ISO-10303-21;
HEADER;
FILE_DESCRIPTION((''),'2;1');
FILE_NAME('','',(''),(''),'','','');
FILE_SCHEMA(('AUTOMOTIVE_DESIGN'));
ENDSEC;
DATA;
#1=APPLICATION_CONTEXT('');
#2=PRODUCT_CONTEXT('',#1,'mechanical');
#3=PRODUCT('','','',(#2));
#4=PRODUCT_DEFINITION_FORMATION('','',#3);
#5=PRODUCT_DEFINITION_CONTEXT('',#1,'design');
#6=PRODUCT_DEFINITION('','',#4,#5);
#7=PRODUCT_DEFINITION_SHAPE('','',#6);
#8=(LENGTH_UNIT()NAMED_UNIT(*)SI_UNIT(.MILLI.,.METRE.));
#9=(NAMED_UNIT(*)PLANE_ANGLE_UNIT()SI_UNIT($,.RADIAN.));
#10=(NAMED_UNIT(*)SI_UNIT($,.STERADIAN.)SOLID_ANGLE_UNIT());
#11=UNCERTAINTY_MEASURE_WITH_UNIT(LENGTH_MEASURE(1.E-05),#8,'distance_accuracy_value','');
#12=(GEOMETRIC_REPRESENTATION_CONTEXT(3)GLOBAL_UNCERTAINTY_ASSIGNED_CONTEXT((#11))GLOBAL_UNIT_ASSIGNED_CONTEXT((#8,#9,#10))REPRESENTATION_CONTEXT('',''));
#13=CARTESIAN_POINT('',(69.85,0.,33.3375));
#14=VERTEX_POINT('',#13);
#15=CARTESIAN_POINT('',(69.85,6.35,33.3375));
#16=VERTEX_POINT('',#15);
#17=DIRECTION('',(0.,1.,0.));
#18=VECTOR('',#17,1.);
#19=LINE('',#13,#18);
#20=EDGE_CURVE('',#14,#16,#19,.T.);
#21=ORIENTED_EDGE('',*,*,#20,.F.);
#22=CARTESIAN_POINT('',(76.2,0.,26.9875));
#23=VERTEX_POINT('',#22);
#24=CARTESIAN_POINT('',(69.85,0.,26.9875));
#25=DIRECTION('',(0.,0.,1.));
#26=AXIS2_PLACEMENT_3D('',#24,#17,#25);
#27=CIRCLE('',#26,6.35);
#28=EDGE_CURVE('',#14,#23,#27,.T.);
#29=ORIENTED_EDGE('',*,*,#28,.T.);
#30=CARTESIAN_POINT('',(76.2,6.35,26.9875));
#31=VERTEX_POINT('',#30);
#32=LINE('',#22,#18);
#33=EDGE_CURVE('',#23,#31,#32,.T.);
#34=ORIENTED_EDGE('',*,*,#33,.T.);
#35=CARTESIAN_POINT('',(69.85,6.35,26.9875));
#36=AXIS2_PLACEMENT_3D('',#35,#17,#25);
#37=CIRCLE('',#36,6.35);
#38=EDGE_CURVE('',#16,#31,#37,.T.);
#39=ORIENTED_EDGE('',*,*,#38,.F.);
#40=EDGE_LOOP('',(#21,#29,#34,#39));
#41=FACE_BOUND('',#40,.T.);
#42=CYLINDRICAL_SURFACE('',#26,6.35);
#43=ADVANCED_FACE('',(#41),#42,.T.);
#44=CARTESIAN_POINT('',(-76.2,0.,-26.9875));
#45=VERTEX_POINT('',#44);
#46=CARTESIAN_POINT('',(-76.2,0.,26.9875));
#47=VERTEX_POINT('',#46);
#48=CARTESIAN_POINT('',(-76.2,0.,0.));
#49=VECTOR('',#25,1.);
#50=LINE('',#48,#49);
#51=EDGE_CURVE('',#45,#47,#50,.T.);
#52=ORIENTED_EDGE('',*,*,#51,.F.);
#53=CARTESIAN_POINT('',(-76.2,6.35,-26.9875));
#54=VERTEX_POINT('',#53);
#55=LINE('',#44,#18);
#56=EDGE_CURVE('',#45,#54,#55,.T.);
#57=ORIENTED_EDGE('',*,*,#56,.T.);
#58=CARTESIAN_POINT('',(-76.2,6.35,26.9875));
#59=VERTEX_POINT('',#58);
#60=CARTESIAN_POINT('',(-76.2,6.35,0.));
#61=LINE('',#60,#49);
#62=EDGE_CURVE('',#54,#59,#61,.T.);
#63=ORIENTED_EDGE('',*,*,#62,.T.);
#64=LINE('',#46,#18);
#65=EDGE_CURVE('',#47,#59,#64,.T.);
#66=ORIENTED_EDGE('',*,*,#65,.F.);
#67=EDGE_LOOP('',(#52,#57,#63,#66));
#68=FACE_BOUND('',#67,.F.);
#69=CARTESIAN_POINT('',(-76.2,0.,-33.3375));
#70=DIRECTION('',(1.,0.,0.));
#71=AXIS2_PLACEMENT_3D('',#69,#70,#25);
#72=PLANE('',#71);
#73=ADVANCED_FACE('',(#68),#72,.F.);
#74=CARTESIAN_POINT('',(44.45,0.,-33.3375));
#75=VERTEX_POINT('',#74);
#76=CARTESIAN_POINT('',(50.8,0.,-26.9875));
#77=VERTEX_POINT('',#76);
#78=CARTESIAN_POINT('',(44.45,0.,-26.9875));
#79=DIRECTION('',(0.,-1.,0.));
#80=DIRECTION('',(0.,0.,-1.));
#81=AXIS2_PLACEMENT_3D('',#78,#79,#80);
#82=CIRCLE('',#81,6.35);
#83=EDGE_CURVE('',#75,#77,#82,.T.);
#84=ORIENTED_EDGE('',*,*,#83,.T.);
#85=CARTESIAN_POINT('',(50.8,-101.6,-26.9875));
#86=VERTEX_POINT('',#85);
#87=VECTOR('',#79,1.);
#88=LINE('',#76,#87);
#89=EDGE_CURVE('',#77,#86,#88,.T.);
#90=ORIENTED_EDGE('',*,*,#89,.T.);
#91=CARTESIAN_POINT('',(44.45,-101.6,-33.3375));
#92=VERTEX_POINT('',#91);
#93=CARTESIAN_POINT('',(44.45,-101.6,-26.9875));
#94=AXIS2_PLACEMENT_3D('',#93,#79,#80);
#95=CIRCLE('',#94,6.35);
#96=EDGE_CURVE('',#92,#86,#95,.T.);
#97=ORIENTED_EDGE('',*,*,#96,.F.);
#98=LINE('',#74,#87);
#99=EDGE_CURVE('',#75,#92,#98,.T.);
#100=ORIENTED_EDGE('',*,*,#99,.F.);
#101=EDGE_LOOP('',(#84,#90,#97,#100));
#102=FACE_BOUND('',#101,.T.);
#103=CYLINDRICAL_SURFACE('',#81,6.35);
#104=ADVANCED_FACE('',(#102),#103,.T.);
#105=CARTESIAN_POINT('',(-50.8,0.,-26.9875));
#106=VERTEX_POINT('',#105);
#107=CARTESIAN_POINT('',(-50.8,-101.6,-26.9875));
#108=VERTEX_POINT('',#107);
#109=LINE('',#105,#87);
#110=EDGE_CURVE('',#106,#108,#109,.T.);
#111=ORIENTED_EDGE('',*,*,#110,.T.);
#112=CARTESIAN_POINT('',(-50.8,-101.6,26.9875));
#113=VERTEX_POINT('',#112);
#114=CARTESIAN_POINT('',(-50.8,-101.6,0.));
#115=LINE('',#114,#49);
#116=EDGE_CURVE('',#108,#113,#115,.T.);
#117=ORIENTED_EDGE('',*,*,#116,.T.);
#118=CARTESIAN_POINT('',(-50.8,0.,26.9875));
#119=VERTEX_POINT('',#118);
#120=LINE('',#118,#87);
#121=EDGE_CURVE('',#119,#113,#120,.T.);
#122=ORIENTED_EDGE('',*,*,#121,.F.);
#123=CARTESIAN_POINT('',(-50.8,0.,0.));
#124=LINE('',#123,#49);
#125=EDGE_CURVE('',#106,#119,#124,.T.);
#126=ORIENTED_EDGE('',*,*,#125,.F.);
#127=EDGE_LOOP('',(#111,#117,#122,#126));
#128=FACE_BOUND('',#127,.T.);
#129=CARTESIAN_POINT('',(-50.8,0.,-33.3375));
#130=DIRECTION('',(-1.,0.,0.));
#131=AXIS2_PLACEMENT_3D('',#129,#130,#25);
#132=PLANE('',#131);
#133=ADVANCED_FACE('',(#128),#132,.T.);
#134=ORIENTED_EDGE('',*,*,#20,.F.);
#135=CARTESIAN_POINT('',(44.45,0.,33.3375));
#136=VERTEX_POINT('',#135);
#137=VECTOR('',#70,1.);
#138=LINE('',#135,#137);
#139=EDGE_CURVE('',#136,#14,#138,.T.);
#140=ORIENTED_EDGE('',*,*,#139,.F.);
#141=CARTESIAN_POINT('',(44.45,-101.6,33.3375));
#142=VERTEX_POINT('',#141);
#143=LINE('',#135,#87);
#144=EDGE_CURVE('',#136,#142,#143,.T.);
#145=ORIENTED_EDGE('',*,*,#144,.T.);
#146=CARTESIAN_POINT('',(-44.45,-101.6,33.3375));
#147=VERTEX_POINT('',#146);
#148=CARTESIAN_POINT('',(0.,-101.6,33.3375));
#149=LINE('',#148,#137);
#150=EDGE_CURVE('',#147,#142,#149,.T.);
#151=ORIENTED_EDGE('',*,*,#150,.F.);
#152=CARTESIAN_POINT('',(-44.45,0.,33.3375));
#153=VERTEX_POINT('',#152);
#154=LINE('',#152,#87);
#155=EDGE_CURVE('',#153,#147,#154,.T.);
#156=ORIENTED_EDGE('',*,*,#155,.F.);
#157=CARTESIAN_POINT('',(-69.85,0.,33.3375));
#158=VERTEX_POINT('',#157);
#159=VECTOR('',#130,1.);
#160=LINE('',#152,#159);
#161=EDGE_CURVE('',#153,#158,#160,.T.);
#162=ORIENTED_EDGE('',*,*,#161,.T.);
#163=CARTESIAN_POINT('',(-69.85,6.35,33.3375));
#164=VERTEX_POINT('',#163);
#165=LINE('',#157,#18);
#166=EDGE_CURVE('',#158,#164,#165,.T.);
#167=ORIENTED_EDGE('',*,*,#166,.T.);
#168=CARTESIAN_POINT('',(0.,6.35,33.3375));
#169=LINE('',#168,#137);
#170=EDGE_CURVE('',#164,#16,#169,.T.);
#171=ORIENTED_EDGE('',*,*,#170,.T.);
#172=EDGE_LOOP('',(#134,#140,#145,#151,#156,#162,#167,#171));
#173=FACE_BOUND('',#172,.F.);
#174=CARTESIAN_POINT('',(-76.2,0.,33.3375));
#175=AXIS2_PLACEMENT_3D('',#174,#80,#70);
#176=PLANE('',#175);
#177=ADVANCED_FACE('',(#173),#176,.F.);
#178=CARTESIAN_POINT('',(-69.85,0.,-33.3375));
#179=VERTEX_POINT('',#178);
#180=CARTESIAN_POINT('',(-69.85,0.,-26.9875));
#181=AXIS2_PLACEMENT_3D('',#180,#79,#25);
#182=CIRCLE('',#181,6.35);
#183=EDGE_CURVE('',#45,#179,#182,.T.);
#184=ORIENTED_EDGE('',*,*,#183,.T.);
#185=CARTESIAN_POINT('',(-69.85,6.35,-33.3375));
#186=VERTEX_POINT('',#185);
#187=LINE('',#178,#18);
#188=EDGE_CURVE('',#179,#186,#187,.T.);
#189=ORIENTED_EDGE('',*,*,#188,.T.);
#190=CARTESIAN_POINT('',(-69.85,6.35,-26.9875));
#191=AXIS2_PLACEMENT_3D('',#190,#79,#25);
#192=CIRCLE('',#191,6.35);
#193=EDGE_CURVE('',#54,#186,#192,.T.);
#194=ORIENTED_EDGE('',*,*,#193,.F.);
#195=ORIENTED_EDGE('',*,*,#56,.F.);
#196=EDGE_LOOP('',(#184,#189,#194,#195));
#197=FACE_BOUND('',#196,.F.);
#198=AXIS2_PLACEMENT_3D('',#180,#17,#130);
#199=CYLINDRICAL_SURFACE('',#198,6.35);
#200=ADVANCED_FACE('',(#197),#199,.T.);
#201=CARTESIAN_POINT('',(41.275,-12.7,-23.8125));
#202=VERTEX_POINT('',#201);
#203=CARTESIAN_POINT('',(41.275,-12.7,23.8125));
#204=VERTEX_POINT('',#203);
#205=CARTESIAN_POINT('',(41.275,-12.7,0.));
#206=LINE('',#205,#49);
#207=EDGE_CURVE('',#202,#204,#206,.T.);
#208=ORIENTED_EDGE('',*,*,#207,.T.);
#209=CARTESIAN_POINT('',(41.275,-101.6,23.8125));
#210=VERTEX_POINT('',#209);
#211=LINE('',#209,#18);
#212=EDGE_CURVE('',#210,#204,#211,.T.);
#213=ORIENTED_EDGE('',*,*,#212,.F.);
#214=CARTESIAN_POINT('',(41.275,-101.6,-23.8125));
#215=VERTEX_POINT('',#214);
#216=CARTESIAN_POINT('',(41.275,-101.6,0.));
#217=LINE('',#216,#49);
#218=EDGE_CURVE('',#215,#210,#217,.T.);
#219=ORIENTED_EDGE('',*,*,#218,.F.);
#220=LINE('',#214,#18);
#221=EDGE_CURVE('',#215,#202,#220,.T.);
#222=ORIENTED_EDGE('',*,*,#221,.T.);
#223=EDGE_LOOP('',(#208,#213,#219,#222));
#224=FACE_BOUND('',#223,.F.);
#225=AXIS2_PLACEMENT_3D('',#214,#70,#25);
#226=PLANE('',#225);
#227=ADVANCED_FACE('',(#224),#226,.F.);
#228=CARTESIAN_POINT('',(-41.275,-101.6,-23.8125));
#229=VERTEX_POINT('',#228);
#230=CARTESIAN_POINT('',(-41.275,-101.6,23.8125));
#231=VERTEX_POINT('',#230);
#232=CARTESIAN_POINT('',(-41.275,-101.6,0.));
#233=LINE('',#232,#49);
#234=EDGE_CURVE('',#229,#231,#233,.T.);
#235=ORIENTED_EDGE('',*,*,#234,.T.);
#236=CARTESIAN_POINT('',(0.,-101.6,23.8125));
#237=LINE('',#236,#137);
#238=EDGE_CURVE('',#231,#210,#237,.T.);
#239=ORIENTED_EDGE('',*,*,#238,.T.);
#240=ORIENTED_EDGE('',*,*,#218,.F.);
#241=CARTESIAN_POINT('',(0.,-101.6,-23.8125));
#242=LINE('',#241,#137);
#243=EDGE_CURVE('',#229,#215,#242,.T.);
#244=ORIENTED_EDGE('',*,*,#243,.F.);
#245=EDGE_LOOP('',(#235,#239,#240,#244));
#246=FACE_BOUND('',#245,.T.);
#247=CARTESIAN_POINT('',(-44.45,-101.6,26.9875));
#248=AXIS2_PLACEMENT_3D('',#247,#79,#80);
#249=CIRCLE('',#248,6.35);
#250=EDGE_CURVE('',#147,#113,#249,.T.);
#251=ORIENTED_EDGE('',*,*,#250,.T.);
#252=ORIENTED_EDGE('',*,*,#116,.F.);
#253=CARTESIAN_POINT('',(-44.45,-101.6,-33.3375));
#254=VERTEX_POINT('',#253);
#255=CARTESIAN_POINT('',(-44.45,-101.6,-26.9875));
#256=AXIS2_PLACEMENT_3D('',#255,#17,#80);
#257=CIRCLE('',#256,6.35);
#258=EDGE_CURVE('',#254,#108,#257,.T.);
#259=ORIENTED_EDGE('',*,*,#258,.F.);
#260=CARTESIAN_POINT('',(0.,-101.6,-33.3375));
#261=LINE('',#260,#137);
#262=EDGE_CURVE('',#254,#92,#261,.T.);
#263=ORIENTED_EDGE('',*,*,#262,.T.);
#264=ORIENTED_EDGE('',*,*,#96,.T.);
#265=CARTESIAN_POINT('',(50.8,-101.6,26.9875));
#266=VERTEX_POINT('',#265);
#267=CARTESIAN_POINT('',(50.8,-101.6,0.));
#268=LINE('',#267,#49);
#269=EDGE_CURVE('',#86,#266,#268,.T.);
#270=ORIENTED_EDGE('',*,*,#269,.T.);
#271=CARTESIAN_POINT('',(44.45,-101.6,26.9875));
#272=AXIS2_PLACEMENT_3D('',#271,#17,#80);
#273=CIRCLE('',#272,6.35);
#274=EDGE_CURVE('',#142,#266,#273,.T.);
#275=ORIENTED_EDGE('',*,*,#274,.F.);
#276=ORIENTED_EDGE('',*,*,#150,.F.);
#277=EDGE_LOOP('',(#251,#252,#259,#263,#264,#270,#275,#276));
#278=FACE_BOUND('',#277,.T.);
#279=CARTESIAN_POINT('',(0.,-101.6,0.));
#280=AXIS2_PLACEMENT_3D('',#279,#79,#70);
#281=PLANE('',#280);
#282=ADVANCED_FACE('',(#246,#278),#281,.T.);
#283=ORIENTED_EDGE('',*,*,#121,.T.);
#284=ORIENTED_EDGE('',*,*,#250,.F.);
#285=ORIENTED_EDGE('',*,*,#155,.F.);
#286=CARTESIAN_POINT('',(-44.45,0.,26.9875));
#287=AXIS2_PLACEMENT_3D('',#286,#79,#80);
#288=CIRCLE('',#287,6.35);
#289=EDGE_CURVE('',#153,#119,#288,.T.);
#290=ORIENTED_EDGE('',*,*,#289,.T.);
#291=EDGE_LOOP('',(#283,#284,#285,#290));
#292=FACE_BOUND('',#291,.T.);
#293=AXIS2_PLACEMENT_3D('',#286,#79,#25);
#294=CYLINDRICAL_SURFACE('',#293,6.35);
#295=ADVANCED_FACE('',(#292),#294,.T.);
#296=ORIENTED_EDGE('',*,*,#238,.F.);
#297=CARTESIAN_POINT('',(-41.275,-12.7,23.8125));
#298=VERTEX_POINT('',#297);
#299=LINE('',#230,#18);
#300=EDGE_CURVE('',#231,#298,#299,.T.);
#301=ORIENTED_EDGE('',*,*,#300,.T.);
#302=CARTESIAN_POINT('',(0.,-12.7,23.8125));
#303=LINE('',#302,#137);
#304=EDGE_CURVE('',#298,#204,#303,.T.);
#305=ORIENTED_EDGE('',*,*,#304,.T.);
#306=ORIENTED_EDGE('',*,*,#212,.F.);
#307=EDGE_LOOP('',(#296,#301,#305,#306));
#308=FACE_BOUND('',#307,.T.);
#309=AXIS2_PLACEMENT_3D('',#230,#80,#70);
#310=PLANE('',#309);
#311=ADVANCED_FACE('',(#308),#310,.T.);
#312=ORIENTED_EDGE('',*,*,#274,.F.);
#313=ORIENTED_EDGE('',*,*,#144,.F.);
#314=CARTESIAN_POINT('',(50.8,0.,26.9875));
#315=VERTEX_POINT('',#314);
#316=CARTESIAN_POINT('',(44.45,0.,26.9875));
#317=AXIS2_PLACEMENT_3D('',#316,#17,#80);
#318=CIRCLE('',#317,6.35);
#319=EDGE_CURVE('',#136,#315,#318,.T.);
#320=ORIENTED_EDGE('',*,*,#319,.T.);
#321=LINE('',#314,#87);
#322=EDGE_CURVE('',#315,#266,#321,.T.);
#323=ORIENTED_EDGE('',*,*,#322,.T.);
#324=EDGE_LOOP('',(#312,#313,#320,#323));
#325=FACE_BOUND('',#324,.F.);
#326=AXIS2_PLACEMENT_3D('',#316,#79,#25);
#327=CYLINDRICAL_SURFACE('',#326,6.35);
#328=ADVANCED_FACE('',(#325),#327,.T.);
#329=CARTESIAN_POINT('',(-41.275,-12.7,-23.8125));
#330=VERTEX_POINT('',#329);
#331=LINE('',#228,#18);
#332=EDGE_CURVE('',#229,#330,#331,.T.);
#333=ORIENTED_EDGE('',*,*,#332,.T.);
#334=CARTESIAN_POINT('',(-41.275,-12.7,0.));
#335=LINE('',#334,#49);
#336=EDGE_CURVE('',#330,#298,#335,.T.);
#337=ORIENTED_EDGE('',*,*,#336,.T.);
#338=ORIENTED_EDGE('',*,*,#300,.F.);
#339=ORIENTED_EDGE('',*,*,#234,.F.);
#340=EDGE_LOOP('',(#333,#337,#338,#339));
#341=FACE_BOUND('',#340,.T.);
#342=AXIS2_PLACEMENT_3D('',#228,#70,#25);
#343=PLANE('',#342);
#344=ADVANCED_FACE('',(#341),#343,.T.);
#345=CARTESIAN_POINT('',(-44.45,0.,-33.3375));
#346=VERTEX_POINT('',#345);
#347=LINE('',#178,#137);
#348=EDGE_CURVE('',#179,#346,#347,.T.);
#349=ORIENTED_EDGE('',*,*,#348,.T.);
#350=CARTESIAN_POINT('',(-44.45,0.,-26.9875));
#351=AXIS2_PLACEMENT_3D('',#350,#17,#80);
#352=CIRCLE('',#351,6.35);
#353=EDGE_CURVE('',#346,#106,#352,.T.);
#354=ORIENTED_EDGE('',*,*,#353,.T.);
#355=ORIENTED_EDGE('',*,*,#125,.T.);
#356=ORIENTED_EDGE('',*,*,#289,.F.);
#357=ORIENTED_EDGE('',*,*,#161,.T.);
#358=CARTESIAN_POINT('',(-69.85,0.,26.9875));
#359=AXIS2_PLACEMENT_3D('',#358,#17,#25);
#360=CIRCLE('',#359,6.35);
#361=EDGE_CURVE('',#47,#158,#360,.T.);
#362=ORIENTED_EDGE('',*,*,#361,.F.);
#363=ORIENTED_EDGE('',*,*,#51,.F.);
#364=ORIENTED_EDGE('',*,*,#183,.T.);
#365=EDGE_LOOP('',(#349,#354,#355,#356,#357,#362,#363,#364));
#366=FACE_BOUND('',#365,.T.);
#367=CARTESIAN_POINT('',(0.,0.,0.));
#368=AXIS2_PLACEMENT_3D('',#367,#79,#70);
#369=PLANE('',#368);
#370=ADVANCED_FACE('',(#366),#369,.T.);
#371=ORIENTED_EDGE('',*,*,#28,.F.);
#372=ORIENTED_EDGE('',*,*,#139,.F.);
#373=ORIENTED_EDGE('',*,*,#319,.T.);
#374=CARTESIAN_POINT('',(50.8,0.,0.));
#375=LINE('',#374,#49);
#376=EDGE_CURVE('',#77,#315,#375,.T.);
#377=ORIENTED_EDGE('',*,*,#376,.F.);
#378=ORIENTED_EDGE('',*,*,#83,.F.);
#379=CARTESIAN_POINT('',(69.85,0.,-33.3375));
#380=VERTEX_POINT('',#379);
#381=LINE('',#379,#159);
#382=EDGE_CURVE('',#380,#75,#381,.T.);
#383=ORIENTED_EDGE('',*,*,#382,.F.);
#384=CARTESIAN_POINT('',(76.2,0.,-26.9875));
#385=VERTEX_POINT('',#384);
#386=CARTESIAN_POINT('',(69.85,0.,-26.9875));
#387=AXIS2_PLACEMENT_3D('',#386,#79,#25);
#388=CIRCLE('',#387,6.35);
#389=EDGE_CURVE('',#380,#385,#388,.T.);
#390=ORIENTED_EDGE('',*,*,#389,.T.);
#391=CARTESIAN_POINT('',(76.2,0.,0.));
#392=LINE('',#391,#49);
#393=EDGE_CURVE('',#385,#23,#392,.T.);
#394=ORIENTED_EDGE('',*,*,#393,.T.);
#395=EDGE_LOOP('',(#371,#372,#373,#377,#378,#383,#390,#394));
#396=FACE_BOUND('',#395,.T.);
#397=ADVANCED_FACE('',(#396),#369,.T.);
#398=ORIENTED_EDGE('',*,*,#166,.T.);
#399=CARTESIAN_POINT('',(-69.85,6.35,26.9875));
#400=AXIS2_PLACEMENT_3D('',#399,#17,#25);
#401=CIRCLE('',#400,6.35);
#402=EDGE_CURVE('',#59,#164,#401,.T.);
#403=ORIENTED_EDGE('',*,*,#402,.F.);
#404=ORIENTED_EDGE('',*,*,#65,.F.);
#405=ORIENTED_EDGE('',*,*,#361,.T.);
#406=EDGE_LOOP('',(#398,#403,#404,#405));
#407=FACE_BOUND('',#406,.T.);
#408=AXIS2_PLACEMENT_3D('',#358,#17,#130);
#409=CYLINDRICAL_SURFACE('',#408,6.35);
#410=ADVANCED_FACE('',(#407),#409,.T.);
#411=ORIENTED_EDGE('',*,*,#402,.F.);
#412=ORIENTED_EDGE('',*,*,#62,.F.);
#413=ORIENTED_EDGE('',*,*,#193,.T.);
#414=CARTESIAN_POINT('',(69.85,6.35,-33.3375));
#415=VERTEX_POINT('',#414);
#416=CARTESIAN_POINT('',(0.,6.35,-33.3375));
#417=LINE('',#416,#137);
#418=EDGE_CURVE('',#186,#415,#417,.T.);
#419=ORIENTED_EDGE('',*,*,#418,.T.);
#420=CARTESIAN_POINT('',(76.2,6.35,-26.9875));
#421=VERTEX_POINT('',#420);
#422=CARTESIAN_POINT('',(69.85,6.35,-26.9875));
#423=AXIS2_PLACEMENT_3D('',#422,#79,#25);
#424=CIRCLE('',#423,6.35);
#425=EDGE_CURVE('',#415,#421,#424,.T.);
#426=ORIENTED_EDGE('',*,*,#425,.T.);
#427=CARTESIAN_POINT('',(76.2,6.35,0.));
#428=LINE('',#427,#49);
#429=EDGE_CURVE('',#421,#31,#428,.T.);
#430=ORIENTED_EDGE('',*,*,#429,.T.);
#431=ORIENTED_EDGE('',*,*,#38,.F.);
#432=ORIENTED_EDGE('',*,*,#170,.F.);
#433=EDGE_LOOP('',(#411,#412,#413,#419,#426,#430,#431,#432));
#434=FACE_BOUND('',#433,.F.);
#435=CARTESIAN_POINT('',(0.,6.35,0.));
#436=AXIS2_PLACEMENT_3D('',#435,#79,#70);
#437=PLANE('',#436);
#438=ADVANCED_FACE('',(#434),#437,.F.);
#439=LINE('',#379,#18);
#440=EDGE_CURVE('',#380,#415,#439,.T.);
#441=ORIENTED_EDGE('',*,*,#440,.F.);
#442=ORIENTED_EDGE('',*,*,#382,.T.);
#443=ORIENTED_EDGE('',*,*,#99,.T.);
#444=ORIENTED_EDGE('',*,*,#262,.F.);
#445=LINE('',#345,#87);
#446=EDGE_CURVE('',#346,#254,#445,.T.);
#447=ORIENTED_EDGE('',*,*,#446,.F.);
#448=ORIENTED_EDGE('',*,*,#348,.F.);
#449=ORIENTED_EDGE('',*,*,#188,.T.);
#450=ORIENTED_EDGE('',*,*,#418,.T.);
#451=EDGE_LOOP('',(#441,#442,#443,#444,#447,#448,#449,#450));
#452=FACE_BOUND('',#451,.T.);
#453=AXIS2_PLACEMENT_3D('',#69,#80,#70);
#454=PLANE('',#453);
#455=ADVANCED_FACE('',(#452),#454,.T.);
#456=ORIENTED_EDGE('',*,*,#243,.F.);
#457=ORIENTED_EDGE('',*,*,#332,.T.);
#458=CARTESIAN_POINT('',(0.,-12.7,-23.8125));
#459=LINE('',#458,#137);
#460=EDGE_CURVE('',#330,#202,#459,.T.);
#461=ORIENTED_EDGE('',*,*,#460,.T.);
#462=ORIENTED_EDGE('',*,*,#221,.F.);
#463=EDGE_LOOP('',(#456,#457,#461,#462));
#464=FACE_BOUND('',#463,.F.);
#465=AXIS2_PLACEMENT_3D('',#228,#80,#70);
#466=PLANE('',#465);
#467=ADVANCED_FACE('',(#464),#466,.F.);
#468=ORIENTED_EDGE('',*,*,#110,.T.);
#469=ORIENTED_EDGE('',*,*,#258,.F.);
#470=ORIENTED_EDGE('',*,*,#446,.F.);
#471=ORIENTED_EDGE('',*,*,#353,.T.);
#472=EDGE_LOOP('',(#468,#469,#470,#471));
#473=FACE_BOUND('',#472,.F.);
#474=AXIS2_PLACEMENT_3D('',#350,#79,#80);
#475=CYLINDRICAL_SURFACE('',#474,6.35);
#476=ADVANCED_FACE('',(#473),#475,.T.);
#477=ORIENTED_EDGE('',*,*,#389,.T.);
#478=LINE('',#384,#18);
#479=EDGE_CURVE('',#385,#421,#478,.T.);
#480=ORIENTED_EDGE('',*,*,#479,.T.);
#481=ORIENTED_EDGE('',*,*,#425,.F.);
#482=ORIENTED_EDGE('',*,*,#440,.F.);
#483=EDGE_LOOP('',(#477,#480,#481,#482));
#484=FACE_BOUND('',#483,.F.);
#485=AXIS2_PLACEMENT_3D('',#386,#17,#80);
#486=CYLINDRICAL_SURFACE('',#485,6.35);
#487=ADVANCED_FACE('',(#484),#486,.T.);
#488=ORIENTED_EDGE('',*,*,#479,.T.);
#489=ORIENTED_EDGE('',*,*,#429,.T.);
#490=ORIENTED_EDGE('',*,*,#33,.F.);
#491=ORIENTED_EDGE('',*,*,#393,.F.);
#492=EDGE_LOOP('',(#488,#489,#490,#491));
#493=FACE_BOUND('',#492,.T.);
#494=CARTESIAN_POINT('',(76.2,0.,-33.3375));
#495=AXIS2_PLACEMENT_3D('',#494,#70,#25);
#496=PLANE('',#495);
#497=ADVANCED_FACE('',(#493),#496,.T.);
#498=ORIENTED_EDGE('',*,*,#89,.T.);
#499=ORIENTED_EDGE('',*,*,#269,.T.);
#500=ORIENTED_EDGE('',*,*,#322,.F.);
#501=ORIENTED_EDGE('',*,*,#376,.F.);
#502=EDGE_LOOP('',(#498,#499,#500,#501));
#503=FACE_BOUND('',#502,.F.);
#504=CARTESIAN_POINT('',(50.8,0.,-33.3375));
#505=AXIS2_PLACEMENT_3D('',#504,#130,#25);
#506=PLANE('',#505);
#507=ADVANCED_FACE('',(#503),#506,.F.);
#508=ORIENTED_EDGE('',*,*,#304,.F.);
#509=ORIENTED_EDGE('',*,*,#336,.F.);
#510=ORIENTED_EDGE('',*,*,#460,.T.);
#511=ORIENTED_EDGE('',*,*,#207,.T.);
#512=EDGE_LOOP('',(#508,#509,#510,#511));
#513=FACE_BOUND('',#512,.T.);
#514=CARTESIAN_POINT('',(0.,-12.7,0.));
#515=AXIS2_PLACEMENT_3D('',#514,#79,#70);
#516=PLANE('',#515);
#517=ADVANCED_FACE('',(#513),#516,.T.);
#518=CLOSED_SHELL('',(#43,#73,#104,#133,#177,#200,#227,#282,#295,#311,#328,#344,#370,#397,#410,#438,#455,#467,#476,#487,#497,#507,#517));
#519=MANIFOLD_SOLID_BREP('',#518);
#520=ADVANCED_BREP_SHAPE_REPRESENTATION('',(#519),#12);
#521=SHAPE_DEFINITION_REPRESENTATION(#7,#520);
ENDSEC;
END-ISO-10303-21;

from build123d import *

# Parameters (mm, degrees)
F0_W     = 152.4
F0_H     = 66.675
F1_DEPTH = 6.35
F2_W     = 101.6
F2_H     = 66.675
F3_DEPTH = 101.6
F4_R     = 6.35
F5_W     = 82.55
F5_H     = 47.625
F6_DEPTH = 88.9


with BuildPart() as f1:
    # F0 (on Front) → F1 (new body)
    with BuildSketch(Plane.XZ):
        Rectangle(F0_W, F0_H)
    extrude(amount=-F1_DEPTH)

    # F2 (on face) → F3 (join)
    with BuildSketch(Plane.XZ):
        Rectangle(F2_W, F2_H)
    extrude(amount=F3_DEPTH)

    # F4
    f4_edges = [f1.edges().sort_by_distance(p)[0] for p in [
        (76.2, 3.175, 33.3375),
        (76.2, 3.175, -33.3375),
        (50.8, -50.8, 33.3375),
        (50.8, -50.8, -33.3375),
        (-76.2, 3.175, 33.3375),
        (-76.2, 3.175, -33.3375),
        (-50.8, -50.8, 33.3375),
        (-50.8, -50.8, -33.3375),
    ]]
    fillet(f4_edges, radius=F4_R)

    # F5 (on face) → F6 (cut)
    with BuildSketch(Plane.XZ.offset(101.6)):
        Rectangle(F5_W, F5_H)
    extrude(amount=-F6_DEPTH, mode=Mode.SUBTRACT)


solid = f1.part
